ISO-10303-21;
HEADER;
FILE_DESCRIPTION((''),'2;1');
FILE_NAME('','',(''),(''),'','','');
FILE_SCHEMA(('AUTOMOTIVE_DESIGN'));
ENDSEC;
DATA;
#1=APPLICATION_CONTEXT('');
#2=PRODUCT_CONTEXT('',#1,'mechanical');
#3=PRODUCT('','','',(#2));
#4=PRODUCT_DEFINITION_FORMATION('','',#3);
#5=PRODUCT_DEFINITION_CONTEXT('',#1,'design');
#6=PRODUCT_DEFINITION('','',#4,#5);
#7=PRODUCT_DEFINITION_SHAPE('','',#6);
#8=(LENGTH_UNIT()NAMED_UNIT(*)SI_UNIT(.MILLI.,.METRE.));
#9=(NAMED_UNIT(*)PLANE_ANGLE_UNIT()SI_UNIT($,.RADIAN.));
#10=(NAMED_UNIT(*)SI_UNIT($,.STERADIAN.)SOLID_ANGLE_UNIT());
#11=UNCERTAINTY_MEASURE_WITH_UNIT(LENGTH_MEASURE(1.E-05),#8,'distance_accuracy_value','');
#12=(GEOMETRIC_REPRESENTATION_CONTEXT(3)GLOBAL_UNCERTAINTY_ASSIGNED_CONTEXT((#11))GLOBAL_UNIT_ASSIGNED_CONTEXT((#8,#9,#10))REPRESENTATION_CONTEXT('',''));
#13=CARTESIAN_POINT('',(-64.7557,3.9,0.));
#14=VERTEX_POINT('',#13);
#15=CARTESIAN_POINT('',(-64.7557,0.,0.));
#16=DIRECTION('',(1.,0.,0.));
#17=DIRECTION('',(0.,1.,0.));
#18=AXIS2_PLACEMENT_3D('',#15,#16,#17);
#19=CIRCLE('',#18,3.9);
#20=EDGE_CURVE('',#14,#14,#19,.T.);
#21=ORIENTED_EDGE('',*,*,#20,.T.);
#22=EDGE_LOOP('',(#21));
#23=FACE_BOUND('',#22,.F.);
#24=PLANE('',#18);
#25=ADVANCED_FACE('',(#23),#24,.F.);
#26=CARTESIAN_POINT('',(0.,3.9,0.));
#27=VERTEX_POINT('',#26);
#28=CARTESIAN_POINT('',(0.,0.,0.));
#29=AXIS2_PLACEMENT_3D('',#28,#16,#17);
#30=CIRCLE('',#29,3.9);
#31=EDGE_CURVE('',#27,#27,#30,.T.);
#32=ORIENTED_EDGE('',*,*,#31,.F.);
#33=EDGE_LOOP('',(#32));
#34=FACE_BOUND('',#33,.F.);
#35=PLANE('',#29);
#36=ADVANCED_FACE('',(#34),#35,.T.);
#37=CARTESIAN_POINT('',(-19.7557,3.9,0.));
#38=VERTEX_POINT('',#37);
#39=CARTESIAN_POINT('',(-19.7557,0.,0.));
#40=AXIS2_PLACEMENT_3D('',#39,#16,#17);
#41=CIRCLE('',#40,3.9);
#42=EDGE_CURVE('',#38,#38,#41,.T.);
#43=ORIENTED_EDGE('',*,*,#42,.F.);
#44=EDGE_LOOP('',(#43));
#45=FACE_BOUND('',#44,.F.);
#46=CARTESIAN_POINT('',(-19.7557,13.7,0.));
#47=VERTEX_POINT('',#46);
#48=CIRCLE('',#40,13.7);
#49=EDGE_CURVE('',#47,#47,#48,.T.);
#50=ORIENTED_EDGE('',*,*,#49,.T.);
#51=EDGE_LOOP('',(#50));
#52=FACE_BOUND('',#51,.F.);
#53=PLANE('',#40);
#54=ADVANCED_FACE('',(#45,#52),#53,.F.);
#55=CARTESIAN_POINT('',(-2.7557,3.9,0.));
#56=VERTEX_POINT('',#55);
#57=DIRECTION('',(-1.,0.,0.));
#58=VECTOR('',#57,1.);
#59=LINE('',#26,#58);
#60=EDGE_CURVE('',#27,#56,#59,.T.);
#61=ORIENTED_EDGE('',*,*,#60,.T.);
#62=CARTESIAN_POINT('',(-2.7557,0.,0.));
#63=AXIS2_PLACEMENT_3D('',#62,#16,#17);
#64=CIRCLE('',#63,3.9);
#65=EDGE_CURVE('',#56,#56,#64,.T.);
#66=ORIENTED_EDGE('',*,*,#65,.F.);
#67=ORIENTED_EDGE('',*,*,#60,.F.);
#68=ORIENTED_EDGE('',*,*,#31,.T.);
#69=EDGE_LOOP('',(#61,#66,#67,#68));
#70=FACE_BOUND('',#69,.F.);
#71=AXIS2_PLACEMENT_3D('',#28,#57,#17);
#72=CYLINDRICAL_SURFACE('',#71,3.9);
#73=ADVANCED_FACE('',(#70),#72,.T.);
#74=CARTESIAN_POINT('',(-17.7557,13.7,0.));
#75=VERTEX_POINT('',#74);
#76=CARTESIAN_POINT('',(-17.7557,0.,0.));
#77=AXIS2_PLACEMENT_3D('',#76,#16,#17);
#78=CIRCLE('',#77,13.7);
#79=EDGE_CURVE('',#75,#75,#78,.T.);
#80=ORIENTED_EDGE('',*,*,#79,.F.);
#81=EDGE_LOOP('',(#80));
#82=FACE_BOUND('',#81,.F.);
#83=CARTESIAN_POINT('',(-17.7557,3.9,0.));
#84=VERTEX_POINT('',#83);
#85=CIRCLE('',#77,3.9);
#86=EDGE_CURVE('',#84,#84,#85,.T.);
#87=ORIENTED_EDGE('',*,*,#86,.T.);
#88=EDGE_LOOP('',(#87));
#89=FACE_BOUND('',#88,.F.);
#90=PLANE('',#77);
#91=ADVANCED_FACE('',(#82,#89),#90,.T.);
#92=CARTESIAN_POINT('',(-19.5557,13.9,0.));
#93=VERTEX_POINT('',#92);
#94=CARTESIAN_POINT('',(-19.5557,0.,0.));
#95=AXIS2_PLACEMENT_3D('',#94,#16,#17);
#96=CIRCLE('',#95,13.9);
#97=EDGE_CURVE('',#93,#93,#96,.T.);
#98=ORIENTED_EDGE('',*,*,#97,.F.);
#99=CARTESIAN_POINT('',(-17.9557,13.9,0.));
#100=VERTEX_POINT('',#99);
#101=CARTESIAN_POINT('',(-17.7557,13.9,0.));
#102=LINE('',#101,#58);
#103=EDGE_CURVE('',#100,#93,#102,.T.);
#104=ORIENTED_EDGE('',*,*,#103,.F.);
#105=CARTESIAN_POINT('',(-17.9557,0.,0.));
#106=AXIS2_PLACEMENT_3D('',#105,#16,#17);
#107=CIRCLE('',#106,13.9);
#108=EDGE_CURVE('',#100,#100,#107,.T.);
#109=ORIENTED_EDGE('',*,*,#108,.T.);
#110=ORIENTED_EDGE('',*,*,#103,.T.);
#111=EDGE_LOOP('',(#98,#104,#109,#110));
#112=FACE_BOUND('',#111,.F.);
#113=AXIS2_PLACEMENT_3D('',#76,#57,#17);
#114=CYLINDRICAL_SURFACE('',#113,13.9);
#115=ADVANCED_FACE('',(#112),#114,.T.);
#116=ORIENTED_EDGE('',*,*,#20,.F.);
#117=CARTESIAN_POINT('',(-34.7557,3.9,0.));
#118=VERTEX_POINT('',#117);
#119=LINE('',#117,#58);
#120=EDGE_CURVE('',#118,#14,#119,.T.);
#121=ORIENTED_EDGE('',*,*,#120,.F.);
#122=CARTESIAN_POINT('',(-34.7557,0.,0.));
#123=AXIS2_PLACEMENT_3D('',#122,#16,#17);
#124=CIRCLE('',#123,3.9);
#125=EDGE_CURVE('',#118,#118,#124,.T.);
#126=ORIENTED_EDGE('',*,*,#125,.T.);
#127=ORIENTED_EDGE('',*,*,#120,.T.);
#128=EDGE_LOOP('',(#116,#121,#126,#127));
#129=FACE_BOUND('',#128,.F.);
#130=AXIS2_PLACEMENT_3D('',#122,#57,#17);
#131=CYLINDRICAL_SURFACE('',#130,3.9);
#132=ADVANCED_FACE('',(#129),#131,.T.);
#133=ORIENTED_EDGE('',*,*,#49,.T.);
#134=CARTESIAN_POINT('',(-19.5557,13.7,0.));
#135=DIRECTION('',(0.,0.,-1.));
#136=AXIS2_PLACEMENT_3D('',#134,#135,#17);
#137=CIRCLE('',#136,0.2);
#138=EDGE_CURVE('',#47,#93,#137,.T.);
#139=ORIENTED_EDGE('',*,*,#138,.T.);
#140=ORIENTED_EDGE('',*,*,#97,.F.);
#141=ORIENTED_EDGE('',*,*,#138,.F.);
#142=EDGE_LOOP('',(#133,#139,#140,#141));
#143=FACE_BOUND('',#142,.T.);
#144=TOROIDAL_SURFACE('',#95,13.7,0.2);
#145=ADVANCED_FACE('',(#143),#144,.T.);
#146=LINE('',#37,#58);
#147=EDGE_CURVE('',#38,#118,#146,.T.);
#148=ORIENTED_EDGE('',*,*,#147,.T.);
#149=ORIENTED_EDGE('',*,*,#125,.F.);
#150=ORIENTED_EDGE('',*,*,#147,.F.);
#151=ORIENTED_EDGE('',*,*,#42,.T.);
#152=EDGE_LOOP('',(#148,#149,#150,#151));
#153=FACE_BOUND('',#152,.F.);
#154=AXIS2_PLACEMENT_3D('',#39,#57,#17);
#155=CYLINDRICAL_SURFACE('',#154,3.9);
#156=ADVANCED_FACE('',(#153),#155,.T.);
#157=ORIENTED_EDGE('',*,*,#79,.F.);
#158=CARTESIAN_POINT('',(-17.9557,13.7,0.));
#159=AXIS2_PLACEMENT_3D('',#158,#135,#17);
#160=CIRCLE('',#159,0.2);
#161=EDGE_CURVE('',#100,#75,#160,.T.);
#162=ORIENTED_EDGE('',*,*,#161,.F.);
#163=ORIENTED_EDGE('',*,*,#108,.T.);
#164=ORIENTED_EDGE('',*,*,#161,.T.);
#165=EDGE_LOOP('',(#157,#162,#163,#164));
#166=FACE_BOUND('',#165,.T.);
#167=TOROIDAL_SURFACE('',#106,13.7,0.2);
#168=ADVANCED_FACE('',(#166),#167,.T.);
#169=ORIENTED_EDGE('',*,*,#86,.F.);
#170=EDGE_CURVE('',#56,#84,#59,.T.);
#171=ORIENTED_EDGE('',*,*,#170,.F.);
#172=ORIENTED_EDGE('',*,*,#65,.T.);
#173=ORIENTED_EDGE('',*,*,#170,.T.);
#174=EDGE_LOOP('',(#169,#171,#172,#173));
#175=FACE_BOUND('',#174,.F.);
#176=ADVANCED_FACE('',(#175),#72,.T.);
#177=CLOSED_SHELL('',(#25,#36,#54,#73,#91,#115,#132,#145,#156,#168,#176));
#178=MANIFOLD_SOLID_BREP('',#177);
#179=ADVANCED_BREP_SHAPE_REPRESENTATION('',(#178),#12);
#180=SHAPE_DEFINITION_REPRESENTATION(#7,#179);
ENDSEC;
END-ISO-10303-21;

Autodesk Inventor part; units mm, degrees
ref_plane "YZ Plane" through (0, 0, 0) normal (1, 0, 0) x (0, 1, 0)
ref_plane "XZ Plane" through (0, 0, 0) normal (0, 1, 0) x (-1, 0, 0)
ref_plane "XY Plane" through (0, 0, 0) normal (0, 0, 1) x (1, 0, 0)
sketch "Sketch1" plane through (0, 0, 0) normal (0, 0, 1) x (1, 0, 0)
  line L0 (0, 0) -> (0, 3.9)
  line L1 (0, 3.9) -> (-17.7557, 3.9)
  line L2 (-17.7557, 3.9) -> (-2.7557, 3.9)
  line L3 (-17.7557, 3.9) -> (-17.7557, 13.9)
  line L4 (-17.7557, 13.9) -> (-19.7557, 13.9)
  line L5 (-19.7557, 13.9) -> (-19.7557, 3.9)
  line L6 (-19.7557, 3.9) -> (-34.7557, 3.9)
  line L7 (-34.7557, 3.9) -> (-64.7557, 3.9)
  line L8 (-64.7557, 3.9) -> (-64.7557, 0)
  line L9 (-64.7557, 0) -> (0, 0)
  dimension "d0" = 3.9
  dimension "d1" = 15
  dimension "d2" = 10
  dimension "d3" = 2
  dimension "d4" = 10
  dimension "d5" = 15
  dimension "d6" = 30
revolve "Revolution1" add sketch "Sketch1" angle 360 about axis through (-64.7557, 0, 0) along (1, 0, 0)
fillet "Fillet1" radius 0.2 2 edges at (-19.7557, -13.9, 0) (-17.7557, -13.9, 0)
properties part number "axlie"
